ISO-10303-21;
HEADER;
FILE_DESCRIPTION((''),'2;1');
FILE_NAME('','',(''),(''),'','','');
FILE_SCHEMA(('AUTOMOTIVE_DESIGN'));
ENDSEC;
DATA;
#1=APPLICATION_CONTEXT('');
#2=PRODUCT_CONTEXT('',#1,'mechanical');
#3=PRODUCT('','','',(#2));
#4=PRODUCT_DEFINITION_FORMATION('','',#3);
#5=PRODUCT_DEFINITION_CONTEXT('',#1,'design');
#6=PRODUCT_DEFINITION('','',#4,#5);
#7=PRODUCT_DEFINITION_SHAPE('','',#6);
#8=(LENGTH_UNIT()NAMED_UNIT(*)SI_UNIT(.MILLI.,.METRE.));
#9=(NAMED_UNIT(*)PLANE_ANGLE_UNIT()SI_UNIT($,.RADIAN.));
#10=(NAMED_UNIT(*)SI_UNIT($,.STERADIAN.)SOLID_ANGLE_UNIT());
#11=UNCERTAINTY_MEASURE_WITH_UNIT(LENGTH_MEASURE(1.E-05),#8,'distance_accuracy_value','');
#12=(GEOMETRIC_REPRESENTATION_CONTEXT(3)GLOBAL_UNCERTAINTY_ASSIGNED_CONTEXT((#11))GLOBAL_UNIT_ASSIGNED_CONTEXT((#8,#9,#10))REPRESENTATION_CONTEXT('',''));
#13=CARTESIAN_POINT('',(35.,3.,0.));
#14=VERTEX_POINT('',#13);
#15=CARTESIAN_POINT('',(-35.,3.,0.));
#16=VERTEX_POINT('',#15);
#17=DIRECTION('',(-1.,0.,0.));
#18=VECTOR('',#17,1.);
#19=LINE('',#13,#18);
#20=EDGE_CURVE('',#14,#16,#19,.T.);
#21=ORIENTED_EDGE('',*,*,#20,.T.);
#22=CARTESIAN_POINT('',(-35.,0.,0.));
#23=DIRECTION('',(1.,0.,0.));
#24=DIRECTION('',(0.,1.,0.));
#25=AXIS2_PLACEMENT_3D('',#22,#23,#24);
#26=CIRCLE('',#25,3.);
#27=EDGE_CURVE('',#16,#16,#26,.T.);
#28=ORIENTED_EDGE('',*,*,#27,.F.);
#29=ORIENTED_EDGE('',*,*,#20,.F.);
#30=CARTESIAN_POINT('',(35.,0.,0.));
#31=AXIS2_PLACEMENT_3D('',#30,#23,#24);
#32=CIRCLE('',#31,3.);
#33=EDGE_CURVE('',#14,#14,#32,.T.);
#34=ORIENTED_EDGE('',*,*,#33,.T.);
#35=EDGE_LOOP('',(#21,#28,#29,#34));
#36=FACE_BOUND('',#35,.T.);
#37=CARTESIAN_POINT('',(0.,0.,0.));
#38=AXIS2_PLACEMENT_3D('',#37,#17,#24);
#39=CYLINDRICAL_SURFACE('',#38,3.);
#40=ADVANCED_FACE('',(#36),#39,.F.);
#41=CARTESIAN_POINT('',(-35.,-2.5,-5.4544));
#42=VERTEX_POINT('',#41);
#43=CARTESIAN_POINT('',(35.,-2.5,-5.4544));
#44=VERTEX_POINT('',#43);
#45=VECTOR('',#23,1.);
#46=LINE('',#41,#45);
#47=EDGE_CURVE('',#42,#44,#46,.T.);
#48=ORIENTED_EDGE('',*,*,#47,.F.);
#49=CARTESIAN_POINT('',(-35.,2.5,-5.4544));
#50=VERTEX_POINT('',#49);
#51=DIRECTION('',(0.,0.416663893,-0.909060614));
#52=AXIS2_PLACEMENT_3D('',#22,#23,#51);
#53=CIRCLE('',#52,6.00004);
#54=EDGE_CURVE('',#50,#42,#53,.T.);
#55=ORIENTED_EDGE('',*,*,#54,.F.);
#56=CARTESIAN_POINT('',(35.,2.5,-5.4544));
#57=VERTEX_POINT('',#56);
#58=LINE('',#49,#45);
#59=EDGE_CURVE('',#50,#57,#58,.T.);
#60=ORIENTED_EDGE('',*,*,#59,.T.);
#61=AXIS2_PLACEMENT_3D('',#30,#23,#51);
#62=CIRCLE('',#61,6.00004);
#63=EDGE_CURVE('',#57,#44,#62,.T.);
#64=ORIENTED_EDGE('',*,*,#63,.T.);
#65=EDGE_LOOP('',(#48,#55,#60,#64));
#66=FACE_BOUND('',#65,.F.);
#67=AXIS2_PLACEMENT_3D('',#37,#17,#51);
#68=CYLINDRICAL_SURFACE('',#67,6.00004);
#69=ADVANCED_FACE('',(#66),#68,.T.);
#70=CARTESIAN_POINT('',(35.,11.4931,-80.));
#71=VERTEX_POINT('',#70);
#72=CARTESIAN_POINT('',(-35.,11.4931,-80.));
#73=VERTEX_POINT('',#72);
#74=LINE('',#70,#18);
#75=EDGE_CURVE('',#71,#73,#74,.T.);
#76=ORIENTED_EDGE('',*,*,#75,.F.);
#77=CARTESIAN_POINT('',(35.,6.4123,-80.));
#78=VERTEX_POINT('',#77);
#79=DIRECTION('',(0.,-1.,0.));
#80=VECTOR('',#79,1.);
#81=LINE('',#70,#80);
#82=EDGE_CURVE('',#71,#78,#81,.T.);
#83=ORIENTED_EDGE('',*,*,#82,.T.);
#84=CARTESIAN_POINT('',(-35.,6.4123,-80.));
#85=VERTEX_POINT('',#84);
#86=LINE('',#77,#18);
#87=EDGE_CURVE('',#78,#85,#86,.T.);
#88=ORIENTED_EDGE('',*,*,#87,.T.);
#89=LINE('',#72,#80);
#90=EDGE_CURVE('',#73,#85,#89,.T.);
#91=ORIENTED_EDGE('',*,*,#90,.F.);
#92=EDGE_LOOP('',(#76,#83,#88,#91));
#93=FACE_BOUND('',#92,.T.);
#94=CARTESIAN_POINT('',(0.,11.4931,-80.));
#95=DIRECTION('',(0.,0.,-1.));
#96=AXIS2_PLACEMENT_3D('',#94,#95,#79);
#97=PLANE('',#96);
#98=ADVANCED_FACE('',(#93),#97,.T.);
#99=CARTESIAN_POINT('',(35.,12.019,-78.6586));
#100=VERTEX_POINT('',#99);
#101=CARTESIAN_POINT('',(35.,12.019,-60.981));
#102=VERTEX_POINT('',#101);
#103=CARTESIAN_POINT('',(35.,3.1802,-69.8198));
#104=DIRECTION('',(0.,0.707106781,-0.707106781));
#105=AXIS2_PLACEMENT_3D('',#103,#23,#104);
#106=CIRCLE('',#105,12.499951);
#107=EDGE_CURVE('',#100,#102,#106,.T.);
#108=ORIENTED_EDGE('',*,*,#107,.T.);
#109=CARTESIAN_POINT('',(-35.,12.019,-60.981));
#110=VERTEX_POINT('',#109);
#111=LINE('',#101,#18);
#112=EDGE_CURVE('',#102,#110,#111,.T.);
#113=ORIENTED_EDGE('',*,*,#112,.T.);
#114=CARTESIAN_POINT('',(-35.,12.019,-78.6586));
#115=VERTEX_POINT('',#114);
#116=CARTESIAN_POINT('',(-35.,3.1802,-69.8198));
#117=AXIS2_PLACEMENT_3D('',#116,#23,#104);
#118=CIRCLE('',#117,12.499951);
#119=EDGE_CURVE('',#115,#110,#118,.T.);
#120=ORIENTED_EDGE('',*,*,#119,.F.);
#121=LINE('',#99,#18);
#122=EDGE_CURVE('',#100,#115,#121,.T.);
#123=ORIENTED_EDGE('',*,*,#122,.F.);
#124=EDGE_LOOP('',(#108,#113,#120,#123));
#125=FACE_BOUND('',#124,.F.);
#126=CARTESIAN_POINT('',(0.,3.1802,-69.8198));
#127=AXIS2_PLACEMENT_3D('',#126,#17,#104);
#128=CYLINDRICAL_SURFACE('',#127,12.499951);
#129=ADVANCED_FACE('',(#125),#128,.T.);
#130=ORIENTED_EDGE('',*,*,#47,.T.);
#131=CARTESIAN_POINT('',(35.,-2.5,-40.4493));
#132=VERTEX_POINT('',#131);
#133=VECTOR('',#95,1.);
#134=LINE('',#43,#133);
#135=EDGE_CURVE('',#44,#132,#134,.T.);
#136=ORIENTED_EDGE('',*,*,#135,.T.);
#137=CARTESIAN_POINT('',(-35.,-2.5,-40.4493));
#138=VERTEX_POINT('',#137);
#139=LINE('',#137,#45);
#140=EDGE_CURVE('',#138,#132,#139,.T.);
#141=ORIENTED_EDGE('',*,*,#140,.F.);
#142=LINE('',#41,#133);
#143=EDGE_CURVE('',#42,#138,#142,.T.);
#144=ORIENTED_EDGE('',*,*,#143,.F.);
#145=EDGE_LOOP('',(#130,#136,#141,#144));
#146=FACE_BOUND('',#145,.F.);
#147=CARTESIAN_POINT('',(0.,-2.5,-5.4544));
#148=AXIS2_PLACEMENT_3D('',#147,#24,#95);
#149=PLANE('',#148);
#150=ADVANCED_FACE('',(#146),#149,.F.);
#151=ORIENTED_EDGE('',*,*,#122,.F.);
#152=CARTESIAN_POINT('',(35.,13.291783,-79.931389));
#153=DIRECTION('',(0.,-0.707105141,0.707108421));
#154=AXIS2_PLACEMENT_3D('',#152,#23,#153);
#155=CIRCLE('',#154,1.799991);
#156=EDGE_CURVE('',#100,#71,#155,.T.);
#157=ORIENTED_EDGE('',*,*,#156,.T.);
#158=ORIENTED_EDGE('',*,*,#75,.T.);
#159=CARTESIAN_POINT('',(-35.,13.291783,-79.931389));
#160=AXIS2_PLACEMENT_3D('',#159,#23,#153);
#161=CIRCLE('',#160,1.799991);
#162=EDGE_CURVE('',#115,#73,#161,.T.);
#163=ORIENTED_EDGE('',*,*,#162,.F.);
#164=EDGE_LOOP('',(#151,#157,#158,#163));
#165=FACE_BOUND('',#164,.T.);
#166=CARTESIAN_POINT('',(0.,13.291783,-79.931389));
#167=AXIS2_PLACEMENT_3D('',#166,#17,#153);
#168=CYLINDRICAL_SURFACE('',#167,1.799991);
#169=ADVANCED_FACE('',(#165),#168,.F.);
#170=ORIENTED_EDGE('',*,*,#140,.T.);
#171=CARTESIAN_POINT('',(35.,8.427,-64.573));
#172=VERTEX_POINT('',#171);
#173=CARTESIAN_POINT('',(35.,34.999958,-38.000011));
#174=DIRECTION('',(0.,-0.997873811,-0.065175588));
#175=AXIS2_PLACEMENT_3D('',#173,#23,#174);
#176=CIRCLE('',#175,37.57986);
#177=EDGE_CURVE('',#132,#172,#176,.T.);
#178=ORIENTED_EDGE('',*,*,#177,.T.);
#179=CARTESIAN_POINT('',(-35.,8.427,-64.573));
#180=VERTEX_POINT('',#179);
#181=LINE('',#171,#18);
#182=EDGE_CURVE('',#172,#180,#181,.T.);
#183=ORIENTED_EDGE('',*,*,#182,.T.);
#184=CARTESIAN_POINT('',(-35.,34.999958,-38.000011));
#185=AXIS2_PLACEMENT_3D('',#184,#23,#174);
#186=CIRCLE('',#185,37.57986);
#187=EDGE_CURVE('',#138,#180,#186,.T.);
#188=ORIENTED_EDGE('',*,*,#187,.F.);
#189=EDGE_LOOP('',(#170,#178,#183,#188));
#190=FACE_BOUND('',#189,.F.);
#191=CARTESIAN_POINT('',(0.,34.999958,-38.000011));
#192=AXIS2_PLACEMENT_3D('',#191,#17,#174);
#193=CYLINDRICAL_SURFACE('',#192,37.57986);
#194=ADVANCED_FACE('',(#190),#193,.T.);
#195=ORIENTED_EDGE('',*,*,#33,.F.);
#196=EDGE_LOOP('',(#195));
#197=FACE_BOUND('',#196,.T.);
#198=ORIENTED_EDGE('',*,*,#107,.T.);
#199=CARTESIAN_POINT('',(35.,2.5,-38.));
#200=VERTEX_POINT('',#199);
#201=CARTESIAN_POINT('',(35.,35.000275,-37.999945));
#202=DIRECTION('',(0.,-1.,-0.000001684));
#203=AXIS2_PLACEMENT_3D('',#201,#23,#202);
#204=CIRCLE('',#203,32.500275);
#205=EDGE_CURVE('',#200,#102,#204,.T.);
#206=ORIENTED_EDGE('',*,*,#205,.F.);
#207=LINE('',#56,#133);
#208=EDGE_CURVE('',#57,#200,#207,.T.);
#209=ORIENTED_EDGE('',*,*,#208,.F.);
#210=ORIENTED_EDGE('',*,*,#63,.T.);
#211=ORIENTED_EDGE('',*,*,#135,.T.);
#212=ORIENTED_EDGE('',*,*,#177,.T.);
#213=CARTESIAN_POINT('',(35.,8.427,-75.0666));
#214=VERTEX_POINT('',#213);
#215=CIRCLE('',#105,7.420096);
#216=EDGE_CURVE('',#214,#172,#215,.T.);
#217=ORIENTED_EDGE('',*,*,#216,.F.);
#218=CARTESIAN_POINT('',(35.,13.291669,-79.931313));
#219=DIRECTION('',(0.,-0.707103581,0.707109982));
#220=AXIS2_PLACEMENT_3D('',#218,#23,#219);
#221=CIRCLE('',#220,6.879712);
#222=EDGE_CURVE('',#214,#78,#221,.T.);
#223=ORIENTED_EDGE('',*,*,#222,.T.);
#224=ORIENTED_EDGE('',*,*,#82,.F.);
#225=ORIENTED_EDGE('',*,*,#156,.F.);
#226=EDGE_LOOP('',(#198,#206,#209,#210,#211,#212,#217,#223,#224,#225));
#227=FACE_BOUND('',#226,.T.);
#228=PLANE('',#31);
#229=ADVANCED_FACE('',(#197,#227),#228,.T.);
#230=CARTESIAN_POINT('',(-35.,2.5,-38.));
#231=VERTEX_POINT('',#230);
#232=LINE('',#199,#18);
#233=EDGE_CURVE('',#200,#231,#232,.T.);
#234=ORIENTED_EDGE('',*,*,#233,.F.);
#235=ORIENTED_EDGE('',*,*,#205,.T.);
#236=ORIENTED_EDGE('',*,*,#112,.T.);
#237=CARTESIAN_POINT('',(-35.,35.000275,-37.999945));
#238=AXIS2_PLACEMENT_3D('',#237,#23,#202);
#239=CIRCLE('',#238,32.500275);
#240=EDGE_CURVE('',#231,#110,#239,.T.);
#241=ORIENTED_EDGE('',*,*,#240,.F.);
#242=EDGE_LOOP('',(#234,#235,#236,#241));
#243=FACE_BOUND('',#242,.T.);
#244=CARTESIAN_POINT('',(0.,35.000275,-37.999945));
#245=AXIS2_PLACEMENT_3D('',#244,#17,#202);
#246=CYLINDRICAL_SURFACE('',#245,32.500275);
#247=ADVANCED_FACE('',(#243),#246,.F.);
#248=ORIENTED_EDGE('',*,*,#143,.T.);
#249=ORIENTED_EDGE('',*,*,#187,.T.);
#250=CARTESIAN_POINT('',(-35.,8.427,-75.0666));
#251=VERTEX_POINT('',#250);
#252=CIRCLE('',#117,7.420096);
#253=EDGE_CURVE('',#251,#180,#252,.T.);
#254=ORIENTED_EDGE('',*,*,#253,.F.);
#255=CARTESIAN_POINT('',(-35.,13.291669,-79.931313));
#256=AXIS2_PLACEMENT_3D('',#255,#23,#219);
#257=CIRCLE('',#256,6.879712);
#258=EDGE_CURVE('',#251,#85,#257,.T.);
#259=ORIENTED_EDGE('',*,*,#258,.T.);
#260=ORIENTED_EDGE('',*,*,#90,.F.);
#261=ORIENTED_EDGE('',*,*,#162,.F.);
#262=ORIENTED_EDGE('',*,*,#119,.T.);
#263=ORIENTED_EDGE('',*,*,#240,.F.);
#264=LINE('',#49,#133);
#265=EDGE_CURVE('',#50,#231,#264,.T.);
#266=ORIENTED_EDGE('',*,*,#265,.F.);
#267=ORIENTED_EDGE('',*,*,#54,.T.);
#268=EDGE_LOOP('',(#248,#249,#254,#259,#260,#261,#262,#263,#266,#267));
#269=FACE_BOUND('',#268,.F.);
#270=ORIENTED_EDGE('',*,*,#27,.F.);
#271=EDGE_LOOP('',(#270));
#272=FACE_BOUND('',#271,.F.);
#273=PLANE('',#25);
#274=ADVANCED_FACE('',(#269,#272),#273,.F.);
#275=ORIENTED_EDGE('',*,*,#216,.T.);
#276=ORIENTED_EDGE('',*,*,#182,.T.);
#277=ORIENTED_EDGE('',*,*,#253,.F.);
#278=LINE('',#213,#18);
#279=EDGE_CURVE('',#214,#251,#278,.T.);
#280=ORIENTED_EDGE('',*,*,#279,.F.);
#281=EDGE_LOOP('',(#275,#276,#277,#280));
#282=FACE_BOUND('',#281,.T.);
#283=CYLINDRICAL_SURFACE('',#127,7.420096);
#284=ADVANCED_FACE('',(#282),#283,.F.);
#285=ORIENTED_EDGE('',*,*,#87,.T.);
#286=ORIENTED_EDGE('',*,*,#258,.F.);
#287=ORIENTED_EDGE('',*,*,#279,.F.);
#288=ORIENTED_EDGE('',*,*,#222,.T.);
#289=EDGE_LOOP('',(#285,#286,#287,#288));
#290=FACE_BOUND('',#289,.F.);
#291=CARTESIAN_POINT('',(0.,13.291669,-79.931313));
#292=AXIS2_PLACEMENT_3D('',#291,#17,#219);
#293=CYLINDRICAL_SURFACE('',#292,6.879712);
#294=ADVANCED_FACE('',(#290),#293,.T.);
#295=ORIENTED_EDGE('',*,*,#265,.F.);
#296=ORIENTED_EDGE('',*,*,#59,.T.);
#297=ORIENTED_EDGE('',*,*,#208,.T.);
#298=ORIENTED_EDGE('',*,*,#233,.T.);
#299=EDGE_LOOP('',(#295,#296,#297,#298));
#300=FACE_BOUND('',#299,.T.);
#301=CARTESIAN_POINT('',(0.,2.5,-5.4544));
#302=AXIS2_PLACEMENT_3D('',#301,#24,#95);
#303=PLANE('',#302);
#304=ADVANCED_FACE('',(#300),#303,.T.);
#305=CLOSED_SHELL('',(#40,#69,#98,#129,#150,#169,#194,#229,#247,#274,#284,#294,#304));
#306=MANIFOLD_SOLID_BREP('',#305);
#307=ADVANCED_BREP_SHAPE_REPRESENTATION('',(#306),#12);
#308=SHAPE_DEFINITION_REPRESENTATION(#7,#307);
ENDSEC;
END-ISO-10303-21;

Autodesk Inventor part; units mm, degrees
ref_plane "YZ Plane" through (0, 0, 0) normal (1, 0, 0) x (0, 1, 0)
ref_plane "XZ Plane" through (0, 0, 0) normal (0, 1, 0) x (-1, 0, 0)
ref_plane "XY Plane" through (0, 0, 0) normal (0, 0, 1) x (1, 0, 0)
sketch "Sketch5" plane through (0, 0, 0) normal (1, 0, 0) x (0, 1, 0)
  line L0 (0, 0) -> (0, -38) construction
  line L1 (0, -38) -> (35, -38) construction
  line L2 (35, -38) -> (3.1802, -69.8198) construction
  arc A0 (0, -38) -> (10.2513, -62.7487) centre (35, -38) ccw construction
  arc A1 (10.2513, -76.8909) -> (10.2513, -62.7487) centre (3.1802, -69.8198) ccw construction
  line L3 (3.1802, -69.8198) -> (13.2918, -79.9314) construction
  arc A2 (10.2513, -76.8909) -> (8.9924, -80) centre (13.2918, -79.9314) ccw construction
  line L4 (2.5, -5.4544) -> (2.5, -38)
  arc A3 (2.5, -38) -> (12.019, -60.981) centre (35, -38) ccw
  arc A4 (12.019, -78.6586) -> (12.019, -60.981) centre (3.1802, -69.8198) ccw
  arc A5 (12.019, -78.6586) -> (11.4931, -80) centre (13.2918, -79.9314) ccw
  line L5 (-2.5, -5.4544) -> (-2.5, -40.4493)
  arc A6 (-2.5, -40.4493) -> (8.427, -64.573) centre (35, -38) ccw
  arc A7 (8.427, -75.0666) -> (8.427, -64.573) centre (3.1802, -69.8198) ccw
  arc A8 (8.427, -75.0666) -> (6.4123, -80) centre (13.2918, -79.9314) ccw
  line L6 (11.4931, -80) -> (6.4123, -80)
  arc A9 (2.5, -5.4544) -> (-2.5, -5.4544) centre (0, 0) ccw
  circle A10 centre (0, 0) radius 3
  dimension "d30" = 35
  dimension "d31" = 45
  dimension "d32" = 45
  dimension "d33" = 14.3
  dimension "d34" = 2.5
  dimension "d35" = 2.5
  dimension "d39" = 12
  dimension "d40" = 6
  dimension "d41" = 38
  dimension "d42" = 80
extrude "Extrusion2" add sketch "Sketch5" along normal mid plane 70
sketch "Sketch6" plane through (0, 0, 0) normal (0, 1, 0) x (-1, 0, 0)
  line L0 (35, -80) -> (-35, -80) construction
  line L1 (0, -80) -> (0, 6) construction
  line L2 (35, 6) -> (-35, 6) construction
  line L3 (15, -9) -> (-15, -9)
  line L4 (-15, -9) -> (-15, 6)
  line L5 (-15, 6) -> (15, 6)
  line L6 (15, 6) -> (15, -9)
  point P0 (0, 0)
  dimension "d43" = 30
  dimension "d44" = 15
  dimension "d45" = 15
